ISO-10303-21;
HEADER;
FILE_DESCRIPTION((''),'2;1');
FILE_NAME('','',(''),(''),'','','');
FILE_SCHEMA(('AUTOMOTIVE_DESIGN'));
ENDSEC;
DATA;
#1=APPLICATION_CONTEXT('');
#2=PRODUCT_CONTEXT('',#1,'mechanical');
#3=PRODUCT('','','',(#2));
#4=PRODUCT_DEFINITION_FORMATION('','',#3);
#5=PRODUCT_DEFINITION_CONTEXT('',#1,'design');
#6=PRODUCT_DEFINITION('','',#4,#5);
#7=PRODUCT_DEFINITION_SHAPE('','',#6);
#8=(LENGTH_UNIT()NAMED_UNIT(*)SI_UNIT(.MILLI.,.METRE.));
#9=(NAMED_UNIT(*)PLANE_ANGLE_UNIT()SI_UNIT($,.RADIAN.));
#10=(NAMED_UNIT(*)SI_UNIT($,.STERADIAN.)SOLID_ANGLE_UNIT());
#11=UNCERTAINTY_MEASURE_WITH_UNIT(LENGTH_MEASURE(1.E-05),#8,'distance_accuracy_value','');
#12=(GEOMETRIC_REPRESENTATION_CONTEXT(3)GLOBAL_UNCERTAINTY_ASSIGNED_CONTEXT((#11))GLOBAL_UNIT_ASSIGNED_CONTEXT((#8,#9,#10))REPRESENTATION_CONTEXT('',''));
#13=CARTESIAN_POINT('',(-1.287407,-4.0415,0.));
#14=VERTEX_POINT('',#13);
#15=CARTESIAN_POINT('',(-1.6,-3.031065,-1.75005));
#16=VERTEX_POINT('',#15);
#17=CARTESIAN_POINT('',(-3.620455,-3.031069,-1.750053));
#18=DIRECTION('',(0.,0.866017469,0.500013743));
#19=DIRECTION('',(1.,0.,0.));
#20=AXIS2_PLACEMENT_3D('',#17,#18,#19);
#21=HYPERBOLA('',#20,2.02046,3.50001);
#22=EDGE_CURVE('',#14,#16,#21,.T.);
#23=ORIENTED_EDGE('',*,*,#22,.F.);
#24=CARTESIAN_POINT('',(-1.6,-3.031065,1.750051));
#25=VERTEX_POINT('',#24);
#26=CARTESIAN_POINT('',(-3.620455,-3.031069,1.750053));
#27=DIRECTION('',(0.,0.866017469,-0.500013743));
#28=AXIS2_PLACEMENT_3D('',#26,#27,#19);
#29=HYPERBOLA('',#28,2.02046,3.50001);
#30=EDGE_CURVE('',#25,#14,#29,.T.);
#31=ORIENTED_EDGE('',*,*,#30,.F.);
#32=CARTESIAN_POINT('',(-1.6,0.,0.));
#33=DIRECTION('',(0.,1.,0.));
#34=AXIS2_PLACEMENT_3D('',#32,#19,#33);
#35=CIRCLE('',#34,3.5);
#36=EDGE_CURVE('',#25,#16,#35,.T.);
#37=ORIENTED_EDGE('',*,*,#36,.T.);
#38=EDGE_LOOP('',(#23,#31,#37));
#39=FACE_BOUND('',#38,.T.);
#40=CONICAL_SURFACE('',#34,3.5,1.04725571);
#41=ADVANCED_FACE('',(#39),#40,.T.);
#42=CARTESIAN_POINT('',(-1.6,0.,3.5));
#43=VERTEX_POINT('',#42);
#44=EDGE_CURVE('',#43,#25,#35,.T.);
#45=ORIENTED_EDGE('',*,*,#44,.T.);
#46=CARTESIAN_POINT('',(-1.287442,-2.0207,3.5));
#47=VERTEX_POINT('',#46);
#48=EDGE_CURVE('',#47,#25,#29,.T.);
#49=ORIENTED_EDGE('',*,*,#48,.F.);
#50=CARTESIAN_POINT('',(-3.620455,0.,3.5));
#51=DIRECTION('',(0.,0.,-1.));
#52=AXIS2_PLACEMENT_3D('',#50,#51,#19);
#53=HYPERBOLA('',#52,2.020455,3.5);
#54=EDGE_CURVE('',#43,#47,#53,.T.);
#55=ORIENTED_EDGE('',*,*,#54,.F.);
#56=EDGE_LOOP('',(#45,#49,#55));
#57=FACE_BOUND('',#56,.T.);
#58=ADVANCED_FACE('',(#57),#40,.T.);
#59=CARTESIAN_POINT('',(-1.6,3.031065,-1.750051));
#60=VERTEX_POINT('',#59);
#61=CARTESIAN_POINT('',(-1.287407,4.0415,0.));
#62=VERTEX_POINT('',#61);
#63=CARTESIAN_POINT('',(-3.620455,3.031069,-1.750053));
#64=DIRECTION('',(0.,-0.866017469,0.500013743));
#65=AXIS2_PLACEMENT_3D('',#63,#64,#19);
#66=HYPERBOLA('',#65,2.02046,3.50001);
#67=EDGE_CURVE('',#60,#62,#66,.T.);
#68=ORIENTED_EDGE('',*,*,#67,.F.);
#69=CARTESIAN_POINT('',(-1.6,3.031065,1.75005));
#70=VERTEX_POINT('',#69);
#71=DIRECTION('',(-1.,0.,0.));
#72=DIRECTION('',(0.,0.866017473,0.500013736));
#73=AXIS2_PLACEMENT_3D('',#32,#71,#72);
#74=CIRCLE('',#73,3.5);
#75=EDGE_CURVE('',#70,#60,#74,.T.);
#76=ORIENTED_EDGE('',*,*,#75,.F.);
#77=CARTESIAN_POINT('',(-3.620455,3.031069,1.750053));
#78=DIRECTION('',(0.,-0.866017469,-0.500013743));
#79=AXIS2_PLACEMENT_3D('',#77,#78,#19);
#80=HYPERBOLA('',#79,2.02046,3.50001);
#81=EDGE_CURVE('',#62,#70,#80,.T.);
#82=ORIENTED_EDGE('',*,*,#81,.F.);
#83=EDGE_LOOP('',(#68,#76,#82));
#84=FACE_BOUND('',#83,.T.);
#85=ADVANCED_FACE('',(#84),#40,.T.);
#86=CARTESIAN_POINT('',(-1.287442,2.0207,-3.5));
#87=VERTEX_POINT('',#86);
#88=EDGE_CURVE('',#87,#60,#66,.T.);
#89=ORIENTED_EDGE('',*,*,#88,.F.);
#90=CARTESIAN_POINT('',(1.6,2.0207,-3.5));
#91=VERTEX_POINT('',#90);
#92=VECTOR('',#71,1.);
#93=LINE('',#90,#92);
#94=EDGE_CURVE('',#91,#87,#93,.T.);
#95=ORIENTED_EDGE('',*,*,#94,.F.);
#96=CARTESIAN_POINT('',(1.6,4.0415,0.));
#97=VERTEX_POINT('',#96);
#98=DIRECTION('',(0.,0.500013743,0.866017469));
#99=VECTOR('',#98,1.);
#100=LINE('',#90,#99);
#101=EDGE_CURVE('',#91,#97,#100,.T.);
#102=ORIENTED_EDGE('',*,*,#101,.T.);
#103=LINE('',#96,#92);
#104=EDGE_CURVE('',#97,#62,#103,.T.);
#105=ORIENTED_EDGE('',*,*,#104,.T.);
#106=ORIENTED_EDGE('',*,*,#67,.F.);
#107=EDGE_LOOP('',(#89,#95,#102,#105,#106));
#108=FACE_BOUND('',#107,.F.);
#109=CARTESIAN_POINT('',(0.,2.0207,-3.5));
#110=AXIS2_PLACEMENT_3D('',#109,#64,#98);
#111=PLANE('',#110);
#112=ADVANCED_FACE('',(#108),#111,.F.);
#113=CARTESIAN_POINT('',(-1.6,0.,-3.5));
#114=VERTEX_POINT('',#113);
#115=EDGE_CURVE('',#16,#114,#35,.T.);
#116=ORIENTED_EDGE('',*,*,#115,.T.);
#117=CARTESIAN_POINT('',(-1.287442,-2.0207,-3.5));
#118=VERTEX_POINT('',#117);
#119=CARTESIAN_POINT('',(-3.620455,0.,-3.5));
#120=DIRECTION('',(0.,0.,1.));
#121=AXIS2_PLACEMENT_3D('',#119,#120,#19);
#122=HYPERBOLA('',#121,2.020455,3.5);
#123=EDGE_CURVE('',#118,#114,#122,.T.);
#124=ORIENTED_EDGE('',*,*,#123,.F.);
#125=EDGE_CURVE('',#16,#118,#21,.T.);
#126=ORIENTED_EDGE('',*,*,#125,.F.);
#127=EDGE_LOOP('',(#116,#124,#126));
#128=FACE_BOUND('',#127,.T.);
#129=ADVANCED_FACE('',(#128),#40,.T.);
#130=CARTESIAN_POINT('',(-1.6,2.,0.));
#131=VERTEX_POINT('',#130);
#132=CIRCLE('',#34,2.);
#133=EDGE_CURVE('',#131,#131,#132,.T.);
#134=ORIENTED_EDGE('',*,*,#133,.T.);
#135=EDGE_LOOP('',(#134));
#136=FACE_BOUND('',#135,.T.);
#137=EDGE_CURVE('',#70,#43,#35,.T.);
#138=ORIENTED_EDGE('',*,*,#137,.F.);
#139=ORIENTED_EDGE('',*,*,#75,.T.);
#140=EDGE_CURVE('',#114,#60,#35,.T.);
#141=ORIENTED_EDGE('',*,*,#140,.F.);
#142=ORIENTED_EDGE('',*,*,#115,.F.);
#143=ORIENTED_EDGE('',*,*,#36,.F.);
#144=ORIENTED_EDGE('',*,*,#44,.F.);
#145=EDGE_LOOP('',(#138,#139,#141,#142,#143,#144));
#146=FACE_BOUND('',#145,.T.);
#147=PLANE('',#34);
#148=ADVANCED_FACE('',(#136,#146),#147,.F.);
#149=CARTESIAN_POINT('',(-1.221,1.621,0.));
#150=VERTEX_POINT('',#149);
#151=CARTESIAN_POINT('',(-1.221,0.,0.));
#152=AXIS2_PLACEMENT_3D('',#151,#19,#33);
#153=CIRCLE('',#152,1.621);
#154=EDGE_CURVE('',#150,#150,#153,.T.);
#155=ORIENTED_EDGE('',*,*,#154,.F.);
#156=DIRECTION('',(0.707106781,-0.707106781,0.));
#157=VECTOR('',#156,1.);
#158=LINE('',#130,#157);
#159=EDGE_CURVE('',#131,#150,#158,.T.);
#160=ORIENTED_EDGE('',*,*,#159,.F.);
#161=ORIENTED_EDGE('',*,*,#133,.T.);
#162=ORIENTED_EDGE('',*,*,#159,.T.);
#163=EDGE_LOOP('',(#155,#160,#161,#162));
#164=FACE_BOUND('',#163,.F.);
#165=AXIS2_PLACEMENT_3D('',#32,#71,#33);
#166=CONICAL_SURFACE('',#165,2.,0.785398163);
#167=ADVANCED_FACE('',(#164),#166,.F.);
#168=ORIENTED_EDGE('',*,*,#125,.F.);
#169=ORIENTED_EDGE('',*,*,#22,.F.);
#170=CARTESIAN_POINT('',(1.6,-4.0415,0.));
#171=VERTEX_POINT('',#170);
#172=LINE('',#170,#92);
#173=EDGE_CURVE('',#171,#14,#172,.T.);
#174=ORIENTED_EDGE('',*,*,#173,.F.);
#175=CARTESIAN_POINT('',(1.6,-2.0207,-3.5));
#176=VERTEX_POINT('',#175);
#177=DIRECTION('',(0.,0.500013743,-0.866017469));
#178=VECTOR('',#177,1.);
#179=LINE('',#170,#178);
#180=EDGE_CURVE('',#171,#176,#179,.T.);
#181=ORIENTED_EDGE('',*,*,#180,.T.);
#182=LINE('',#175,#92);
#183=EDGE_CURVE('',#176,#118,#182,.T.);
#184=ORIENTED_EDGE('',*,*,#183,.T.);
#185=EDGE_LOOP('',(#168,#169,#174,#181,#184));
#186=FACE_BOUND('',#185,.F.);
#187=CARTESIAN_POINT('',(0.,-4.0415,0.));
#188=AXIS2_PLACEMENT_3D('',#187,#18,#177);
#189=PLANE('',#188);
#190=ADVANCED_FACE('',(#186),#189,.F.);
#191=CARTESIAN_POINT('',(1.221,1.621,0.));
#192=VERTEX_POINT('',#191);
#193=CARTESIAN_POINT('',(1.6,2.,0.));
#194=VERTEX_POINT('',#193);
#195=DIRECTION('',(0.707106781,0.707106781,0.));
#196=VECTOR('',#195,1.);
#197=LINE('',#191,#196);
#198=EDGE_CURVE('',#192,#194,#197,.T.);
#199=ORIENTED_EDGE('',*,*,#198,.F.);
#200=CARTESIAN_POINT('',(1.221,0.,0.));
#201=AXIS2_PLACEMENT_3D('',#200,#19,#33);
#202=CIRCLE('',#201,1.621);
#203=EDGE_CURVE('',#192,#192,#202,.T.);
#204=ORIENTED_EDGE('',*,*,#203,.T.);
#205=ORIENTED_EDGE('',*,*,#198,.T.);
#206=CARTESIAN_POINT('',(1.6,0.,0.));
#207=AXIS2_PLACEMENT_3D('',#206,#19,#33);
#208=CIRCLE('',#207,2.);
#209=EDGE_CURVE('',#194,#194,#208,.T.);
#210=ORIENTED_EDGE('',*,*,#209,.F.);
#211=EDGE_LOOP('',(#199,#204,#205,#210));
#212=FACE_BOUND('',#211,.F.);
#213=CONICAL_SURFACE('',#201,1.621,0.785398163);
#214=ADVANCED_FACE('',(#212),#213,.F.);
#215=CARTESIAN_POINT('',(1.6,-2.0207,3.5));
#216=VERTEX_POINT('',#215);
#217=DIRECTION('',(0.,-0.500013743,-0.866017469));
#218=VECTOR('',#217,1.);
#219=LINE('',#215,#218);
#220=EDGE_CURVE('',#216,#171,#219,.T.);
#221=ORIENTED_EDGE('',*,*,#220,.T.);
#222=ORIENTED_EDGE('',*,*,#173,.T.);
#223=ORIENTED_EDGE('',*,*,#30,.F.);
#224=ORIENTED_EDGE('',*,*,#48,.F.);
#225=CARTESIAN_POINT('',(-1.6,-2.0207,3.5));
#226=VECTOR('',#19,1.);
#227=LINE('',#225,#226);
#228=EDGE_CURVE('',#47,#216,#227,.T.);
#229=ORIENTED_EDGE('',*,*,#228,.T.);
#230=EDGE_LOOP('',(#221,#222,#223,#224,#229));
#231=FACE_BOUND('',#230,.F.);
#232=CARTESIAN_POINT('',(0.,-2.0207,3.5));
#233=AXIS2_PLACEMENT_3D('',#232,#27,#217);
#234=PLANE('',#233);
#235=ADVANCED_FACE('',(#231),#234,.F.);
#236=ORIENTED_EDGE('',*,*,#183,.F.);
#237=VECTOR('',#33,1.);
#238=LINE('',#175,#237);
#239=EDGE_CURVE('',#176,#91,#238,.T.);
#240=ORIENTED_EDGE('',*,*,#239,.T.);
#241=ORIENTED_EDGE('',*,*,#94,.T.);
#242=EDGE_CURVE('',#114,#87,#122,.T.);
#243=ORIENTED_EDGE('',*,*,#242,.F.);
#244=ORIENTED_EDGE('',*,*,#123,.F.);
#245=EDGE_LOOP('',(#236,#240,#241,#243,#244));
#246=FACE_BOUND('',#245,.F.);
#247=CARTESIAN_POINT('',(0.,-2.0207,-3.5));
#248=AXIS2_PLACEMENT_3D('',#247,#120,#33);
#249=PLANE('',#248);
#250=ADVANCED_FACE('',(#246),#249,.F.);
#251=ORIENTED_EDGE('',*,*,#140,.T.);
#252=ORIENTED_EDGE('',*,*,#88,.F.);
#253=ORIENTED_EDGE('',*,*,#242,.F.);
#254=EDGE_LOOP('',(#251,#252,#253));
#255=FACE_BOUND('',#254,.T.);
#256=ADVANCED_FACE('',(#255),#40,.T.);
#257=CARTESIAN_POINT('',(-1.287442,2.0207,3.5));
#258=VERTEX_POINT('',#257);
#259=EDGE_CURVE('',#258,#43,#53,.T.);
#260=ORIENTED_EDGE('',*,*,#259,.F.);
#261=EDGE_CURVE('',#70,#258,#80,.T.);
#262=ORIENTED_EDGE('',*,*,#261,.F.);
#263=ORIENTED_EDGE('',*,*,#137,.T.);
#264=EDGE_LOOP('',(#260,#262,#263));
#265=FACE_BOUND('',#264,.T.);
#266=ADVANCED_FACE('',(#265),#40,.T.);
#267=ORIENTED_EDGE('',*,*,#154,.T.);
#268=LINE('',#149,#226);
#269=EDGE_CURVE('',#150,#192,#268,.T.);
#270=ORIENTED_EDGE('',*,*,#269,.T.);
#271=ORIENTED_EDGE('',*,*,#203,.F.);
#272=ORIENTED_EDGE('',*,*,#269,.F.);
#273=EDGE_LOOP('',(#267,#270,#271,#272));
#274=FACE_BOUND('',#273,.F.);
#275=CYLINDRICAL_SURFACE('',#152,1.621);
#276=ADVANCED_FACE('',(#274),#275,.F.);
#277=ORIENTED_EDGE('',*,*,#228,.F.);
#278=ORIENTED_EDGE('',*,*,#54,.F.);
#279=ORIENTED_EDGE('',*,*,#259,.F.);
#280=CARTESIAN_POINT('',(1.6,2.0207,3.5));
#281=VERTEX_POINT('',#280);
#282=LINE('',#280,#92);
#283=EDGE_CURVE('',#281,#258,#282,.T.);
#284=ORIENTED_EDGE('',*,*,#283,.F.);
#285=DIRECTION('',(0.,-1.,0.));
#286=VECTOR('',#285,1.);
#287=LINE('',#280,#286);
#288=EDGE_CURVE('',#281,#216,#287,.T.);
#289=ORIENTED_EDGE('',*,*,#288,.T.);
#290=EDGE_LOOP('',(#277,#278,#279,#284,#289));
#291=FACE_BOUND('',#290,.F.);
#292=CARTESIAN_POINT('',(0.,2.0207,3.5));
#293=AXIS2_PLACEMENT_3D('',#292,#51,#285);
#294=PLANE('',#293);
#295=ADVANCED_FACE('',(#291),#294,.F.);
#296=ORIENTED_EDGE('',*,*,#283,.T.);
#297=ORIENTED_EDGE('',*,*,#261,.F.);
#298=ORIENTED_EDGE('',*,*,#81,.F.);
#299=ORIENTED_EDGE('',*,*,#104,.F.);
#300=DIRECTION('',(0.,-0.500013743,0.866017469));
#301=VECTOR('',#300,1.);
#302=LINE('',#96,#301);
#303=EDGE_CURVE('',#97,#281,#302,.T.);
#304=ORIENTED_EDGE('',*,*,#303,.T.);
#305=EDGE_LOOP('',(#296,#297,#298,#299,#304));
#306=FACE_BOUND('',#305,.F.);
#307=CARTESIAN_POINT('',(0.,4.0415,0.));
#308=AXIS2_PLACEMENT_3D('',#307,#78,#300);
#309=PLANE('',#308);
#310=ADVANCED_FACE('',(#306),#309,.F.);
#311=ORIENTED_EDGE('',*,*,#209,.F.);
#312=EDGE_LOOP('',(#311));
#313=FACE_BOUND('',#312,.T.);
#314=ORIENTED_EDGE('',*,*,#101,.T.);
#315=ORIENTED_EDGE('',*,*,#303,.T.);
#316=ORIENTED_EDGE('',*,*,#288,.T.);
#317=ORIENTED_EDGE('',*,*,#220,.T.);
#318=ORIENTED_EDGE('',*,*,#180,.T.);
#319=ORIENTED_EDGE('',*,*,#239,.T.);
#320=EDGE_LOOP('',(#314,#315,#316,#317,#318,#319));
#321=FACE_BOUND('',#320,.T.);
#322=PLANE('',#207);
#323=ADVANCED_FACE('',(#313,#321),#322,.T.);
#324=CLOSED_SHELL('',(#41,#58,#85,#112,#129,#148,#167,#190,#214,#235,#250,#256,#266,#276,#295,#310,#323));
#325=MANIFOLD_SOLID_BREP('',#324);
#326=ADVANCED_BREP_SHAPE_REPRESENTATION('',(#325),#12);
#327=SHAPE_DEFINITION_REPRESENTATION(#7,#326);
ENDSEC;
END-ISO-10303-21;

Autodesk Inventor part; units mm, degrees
sketch "Sketch_1" plane through (0, 0, 0) normal (0, 0, 1) x (1, 0, 0)
  line L0 (1.6, 0) -> (-1.6, 0)
  line L1 (-1.6, 0) -> (-1.6, 3.5)
  line L2 (-1.6, 3.5) -> (-1.2825, 4.05)
  line L3 (-1.2825, 4.05) -> (1.6, 4.05)
  line L4 (1.6, 4.05) -> (1.6, 0)
  line L5 (1.6, 0) -> (-1.6, 0)
revolve "Revolution1" add sketch "Sketch_1" angle 360 about axis through (1.6, 0, 0) along (1, 0, 0)
sketch "Sketch_2" plane through (0, 0, 0) normal (0, 0, 1) x (1, 0, 0)
  line L0 (1.6, 0) -> (-1.6, 0)
  line L1 (-1.6, 0) -> (-1.6, 2)
  line L2 (-1.6, 2) -> (-1.221, 1.621)
  line L3 (-1.221, 1.621) -> (1.221, 1.621)
  line L4 (1.221, 1.621) -> (1.6, 2)
  line L5 (1.6, 2) -> (1.6, 0)
  line L6 (1.6, 0) -> (-1.6, 0)
revolve "Revolution2" cut sketch "Sketch_2" angle 360 about axis through (1.6, 0, 0) along (1, 0, 0)
thread "Thread1" size "M4x0.7" class "6H" standard "ISO Metric profile" full length
sketch "Sketch_3" plane through (0, 0, 0) normal (1, 0, 0) x (0, 1, 0)
  line L0 (-7, 7) -> (-7, -7)
  line L1 (-7, -7) -> (7, -7)
  line L2 (7, -7) -> (7, 7)
  line L3 (7, 7) -> (-7, 7)
  line L4 (-2.0207, 3.5) -> (-4.0415, 0)
  line L5 (-4.0415, 0) -> (-2.0207, -3.5)
  line L6 (-2.0207, -3.5) -> (2.0207, -3.5)
  line L7 (2.0207, -3.5) -> (4.0415, 0)
  line L8 (4.0415, 0) -> (2.0207, 3.5)
  line L9 (2.0207, 3.5) -> (-2.0207, 3.5)
extrude "Extrusion1" cut sketch "Sketch_3" along normal mid plane 3.2
ref_plane "cp_XY" through (1.6, 0, 0) normal (1, 0, 0) x (0, 0, -1)
ref_plane "cp_YZ" through (1.6, 0, 0) normal (0, 0, -1) x (0, 1, 0)
ref_plane "cp_ZX" through (1.6, 0, 0) normal (0, 1, 0) x (1, 0, 0)
ref_plane "nut_to_screw_XY" through (0, 0, 0) normal (1, 0, 0) x (0, 0, -1)
ref_plane "nut_to_screw_YZ" through (0, 0, 0) normal (0, 0, -1) x (0, 1, 0)
ref_plane "nut_to_screw_ZX" through (0, 0, 0) normal (0, 1, 0) x (1, 0, 0)
properties part number "LBNR4" material "鋼、炭素鋼"
